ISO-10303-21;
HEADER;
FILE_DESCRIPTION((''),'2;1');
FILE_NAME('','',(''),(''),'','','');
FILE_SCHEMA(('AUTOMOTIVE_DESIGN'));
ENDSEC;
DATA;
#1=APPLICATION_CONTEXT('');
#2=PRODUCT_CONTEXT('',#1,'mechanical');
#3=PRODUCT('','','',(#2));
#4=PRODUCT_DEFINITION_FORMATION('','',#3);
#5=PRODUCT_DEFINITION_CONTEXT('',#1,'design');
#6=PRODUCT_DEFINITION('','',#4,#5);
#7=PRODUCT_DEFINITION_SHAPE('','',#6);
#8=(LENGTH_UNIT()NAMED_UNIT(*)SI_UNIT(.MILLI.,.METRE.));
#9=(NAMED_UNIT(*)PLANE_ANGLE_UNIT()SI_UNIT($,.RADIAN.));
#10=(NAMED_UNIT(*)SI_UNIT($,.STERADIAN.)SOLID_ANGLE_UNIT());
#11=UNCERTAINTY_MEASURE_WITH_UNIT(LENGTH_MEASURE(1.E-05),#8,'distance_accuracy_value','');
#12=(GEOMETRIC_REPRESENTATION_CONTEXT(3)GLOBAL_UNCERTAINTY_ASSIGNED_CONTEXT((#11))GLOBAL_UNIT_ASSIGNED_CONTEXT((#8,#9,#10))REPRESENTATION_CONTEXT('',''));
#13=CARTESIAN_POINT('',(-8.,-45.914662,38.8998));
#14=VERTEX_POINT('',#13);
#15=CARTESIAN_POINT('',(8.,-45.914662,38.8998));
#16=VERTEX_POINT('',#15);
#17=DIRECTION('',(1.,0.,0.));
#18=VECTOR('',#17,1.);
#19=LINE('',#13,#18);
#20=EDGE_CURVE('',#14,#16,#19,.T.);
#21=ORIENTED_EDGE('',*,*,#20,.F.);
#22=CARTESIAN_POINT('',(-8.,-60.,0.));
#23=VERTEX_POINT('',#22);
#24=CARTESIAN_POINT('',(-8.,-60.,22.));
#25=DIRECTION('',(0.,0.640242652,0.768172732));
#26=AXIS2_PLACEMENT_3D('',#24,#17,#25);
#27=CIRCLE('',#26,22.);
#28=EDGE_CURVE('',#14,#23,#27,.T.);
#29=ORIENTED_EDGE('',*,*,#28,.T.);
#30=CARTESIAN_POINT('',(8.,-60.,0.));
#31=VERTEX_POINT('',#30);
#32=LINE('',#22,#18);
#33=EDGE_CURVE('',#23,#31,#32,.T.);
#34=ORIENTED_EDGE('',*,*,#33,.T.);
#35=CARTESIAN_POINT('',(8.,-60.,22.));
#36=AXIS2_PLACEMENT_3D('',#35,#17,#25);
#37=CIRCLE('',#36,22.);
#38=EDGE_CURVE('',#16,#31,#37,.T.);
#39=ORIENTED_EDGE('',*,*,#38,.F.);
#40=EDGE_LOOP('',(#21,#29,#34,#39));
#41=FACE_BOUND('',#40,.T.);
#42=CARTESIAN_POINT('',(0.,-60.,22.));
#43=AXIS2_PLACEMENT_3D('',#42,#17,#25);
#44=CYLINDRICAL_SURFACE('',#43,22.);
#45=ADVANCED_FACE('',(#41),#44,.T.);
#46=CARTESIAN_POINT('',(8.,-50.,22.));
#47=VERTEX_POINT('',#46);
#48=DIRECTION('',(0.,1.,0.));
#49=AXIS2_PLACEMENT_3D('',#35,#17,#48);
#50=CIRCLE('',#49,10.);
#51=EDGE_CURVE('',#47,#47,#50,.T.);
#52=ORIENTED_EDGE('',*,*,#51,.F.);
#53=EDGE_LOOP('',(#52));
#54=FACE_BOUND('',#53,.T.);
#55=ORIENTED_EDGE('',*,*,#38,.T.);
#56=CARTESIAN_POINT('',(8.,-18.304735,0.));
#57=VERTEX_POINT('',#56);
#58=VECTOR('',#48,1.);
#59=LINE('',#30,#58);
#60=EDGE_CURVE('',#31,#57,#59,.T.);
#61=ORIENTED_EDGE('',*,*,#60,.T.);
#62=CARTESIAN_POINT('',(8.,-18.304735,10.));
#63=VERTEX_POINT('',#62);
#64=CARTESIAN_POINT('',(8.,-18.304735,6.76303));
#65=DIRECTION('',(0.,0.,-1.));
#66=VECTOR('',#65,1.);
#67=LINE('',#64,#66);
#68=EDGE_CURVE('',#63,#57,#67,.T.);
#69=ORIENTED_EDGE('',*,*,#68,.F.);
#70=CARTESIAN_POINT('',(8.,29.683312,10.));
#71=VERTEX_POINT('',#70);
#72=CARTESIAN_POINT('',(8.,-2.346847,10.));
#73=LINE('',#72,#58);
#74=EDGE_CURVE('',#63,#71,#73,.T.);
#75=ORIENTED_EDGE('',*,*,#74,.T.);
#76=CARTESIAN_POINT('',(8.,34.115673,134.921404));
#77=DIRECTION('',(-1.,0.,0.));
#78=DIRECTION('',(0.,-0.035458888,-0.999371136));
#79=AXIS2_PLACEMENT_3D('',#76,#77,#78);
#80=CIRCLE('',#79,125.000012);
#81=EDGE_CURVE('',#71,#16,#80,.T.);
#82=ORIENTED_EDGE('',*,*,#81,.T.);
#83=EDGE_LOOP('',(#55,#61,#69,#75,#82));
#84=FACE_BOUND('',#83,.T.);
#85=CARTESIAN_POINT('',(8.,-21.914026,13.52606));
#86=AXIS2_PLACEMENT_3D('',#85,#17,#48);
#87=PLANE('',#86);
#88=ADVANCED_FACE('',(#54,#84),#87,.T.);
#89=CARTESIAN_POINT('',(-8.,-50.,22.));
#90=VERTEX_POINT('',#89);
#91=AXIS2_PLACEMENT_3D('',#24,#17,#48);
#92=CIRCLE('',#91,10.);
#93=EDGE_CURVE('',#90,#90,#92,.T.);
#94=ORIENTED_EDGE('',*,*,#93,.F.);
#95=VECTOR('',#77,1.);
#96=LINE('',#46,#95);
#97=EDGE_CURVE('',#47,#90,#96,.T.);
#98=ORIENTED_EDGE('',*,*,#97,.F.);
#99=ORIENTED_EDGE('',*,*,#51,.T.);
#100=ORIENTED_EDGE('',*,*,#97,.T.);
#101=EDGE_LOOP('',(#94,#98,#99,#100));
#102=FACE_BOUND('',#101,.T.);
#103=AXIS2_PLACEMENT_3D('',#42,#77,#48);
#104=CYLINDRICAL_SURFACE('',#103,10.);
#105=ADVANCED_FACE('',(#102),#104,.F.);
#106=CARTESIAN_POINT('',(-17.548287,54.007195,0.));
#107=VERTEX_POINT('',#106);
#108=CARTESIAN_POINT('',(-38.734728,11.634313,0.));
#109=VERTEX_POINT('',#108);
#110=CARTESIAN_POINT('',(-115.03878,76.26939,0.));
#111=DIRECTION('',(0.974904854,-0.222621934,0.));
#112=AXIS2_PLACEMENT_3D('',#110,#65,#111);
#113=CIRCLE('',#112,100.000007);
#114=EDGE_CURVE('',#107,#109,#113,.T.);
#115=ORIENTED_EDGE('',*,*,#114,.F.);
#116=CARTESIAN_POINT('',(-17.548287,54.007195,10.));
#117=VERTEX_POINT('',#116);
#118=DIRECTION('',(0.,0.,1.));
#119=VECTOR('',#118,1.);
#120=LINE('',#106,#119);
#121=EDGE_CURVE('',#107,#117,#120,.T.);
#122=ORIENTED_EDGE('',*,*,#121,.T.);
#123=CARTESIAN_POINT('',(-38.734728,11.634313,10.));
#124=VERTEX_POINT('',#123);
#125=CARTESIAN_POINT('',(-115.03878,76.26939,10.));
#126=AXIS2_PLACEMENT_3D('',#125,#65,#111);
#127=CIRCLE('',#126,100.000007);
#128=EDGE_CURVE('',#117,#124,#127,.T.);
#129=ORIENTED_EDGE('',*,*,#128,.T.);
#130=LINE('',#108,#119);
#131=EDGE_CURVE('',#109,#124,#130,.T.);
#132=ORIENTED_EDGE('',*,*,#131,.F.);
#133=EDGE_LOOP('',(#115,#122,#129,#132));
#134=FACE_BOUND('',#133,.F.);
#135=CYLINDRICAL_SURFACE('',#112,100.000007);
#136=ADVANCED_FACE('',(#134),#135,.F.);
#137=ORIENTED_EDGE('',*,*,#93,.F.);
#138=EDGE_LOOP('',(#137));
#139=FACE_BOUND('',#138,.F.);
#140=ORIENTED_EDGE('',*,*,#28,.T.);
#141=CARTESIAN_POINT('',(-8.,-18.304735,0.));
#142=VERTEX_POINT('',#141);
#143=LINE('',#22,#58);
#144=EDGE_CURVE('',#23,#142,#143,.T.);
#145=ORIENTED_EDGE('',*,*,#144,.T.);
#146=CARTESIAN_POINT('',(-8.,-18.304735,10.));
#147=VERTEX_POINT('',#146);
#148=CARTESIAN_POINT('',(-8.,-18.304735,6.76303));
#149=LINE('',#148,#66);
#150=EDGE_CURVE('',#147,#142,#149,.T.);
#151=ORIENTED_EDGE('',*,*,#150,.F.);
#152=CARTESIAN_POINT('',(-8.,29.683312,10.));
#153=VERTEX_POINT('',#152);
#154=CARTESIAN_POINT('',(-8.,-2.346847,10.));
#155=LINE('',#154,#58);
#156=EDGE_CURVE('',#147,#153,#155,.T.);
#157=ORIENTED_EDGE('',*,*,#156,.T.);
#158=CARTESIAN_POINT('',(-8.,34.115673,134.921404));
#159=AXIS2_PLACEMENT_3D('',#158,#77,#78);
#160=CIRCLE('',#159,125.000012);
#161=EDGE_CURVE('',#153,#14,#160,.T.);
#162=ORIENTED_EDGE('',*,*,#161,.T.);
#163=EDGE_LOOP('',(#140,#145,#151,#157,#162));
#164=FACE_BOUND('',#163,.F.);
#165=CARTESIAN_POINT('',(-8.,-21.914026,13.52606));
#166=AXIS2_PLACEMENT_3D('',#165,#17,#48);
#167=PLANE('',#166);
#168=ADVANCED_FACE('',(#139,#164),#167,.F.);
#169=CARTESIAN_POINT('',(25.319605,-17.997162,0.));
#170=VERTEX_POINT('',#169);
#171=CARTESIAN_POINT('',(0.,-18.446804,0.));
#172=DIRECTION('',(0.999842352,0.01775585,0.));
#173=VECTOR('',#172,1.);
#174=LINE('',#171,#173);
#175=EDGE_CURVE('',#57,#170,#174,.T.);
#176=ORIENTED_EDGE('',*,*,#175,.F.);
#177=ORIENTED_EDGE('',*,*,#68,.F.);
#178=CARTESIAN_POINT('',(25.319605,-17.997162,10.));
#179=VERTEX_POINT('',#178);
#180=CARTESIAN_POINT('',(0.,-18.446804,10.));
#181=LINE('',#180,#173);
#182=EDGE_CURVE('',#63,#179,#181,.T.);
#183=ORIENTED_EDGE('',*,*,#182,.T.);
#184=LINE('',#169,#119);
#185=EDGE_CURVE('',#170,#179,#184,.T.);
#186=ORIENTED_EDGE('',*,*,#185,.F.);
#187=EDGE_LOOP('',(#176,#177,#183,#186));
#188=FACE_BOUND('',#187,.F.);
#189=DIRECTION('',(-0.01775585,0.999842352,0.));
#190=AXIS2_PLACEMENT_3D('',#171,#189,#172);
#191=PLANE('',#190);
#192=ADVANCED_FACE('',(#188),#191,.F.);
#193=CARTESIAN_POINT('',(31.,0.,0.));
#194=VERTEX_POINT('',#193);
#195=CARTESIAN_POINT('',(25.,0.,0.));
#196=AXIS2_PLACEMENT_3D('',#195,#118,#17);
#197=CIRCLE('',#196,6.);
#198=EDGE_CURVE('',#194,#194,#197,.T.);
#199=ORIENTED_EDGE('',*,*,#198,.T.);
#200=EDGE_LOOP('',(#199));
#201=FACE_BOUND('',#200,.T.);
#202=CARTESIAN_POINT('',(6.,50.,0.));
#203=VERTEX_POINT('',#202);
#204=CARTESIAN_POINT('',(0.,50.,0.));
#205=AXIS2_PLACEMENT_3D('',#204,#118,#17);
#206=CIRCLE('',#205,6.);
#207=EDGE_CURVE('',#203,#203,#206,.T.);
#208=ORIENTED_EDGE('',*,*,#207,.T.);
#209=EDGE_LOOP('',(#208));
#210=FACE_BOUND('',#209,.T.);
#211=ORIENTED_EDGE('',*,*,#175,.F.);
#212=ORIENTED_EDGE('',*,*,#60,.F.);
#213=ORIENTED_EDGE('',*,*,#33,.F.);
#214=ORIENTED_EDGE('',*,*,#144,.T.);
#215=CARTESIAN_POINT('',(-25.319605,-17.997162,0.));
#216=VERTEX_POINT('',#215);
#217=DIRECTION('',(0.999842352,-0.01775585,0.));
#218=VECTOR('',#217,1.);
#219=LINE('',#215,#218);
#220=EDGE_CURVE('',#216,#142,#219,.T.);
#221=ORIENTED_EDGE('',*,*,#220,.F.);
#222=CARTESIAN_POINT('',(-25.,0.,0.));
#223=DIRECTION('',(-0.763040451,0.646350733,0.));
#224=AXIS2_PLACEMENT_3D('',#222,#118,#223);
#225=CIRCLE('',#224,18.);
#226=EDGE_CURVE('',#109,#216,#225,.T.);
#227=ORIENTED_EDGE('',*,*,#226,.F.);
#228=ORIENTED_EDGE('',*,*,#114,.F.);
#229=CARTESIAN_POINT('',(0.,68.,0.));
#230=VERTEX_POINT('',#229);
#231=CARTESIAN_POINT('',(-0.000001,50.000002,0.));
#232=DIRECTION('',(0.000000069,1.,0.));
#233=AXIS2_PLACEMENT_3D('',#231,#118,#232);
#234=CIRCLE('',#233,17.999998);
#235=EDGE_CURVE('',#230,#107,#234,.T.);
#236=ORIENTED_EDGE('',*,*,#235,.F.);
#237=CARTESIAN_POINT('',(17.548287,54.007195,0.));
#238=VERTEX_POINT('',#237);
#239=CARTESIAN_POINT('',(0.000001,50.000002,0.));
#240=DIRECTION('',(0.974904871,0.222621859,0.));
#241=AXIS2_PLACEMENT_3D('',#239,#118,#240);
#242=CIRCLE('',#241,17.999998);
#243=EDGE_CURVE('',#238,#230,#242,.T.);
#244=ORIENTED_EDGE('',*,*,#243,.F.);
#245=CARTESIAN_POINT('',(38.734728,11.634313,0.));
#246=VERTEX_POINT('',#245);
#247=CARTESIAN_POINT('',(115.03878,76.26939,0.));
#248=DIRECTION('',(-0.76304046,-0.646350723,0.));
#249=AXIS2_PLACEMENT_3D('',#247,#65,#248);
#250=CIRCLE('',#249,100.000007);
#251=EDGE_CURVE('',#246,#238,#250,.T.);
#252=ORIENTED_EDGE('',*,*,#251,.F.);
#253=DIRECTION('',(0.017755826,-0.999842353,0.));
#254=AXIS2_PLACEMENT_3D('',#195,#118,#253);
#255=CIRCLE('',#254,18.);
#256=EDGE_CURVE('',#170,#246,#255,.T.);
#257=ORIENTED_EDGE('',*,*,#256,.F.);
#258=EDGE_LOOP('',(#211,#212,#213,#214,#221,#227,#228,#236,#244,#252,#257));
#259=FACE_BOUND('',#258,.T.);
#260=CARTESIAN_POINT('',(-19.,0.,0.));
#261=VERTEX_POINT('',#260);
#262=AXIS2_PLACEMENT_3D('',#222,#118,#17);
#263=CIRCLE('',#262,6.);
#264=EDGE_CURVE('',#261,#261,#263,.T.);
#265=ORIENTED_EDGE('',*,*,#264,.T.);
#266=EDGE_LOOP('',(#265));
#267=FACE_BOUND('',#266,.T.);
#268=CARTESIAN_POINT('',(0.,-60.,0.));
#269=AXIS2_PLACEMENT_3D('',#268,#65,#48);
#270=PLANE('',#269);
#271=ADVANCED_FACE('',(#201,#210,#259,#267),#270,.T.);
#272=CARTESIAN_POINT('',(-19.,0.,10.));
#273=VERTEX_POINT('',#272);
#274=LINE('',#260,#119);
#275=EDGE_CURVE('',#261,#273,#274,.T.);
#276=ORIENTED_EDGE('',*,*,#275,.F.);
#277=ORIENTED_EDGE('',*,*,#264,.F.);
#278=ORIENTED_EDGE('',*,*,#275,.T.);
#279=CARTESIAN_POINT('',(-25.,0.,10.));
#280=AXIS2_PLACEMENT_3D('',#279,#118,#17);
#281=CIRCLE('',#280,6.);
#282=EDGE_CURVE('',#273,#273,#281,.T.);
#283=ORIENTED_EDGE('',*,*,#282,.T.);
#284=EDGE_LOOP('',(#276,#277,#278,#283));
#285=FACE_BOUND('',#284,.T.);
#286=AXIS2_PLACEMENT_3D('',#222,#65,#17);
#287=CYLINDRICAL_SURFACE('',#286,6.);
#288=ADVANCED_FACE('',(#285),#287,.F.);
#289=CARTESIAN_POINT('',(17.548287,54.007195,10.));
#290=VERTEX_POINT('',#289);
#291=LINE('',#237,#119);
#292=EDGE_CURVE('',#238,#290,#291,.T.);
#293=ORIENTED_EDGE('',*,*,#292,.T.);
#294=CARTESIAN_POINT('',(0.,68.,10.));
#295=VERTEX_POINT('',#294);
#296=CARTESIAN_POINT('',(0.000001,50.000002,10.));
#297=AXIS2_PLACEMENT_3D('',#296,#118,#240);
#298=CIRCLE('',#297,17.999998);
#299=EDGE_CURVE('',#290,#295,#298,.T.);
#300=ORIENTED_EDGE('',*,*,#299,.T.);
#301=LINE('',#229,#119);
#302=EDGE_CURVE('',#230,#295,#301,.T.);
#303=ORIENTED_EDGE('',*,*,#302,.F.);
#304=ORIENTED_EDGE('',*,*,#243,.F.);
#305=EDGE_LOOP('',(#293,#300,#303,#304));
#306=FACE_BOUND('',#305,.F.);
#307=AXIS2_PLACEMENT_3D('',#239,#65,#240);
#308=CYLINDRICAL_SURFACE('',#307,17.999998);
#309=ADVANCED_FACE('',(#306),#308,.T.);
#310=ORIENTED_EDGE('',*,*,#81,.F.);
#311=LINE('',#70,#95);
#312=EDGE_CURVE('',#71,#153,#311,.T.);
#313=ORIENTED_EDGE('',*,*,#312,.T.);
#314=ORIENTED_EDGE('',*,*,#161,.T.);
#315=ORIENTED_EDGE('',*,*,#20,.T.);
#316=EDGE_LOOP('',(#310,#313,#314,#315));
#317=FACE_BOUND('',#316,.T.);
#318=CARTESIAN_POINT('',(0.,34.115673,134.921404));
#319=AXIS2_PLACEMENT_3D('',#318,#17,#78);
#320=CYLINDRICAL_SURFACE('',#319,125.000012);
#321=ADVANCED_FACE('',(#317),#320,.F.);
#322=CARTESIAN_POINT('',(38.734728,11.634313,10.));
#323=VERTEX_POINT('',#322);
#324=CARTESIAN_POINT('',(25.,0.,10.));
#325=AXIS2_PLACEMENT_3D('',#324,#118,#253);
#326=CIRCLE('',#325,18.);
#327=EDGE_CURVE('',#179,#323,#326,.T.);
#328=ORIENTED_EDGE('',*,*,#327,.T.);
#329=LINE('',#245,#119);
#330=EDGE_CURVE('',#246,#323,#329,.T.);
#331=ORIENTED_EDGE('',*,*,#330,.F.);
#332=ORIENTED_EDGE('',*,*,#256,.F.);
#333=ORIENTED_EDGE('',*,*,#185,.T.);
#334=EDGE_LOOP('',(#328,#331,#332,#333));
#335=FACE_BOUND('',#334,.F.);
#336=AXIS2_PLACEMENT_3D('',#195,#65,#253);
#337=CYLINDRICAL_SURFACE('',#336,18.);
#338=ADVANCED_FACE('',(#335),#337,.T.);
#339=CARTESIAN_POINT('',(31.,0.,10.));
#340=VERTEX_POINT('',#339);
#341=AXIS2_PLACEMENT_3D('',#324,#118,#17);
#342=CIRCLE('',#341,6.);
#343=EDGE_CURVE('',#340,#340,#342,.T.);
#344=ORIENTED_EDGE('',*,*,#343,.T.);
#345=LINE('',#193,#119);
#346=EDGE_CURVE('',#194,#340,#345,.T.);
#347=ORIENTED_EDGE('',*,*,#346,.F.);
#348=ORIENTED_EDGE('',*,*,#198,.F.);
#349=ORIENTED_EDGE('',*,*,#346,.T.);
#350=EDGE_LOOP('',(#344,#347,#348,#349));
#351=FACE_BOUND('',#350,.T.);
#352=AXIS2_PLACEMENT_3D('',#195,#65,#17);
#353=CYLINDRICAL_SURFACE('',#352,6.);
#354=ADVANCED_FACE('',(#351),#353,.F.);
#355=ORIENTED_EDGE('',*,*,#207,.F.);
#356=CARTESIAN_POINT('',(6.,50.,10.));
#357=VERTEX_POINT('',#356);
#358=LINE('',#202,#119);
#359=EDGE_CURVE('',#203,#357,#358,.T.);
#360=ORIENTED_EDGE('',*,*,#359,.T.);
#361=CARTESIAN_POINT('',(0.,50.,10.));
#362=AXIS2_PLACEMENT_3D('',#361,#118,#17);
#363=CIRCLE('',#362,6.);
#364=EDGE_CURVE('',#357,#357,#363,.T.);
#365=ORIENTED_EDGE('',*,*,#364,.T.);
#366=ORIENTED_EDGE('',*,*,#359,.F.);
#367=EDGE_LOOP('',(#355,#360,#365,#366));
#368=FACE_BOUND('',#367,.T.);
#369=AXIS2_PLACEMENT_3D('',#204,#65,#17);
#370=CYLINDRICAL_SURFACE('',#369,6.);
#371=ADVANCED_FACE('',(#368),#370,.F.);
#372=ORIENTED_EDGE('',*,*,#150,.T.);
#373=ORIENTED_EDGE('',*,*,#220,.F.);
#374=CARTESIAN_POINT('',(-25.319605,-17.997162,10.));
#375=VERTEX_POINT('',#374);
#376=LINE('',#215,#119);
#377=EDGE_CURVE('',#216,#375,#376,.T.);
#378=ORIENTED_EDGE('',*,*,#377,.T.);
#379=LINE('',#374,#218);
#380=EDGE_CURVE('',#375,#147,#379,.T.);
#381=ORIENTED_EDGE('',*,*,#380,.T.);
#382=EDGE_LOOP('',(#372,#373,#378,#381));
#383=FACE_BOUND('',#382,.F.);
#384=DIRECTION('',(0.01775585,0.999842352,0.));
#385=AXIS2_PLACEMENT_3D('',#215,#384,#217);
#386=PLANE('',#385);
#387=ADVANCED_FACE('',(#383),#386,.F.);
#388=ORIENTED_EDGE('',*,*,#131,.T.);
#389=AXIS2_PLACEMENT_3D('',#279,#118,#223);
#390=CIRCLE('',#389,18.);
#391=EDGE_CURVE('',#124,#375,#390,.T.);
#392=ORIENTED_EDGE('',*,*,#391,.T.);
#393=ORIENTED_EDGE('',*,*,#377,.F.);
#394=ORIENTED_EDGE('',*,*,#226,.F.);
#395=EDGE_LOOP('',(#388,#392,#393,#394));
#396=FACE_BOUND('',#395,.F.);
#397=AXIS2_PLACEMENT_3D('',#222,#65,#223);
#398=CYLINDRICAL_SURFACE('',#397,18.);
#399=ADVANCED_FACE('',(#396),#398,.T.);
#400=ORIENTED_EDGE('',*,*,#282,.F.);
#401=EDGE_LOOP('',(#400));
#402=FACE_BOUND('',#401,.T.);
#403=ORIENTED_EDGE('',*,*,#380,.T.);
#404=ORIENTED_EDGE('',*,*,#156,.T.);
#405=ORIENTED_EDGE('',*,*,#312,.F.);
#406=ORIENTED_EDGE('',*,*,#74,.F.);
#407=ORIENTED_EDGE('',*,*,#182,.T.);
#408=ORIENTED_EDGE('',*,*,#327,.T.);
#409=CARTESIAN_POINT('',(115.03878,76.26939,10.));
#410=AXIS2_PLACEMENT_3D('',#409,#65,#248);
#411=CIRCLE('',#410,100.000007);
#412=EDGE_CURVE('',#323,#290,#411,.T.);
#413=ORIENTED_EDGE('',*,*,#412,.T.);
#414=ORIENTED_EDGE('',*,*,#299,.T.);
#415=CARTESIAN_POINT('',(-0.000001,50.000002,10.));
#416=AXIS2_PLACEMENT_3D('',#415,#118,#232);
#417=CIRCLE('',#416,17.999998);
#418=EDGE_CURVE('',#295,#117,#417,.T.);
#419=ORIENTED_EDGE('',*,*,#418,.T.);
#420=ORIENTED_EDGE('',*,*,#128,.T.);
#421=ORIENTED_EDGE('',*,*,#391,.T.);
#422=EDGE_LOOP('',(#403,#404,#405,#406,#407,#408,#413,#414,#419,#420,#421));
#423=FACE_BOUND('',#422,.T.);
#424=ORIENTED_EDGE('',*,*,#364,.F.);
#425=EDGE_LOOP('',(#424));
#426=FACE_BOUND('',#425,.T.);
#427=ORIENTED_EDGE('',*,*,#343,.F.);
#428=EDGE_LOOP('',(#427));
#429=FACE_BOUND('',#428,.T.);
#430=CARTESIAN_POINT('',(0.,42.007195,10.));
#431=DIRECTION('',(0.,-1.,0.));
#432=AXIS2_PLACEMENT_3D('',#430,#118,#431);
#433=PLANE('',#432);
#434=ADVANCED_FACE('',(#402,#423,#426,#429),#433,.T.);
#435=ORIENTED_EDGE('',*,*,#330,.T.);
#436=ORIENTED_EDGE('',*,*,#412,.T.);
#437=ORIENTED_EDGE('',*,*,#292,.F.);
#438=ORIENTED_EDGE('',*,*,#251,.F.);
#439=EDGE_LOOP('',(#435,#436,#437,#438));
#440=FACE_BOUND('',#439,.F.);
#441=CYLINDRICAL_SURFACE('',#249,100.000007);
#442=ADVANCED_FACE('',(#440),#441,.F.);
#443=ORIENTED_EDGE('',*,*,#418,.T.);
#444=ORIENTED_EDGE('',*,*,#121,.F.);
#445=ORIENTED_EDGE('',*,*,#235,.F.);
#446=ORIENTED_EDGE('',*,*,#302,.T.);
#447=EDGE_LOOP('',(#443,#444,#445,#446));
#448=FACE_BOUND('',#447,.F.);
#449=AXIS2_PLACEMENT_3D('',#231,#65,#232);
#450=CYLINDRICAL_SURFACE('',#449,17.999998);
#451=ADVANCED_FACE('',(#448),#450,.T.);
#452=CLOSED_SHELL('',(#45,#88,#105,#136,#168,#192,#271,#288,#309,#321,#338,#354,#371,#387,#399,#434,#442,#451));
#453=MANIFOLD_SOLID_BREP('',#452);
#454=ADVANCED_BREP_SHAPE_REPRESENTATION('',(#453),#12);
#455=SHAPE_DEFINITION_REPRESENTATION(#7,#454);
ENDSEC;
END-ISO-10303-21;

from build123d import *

# Parameters (mm, degrees)
F0_R     = 6
F1_DEPTH = 10
F2_R     = 10
F3_DEPTH = 8


with BuildPart() as f1:
    # F0 (on Top) → F1 (new body)
    with BuildSketch(Plane.XY):
        with BuildLine():
            ThreePointArc((38.734728, 11.634313), (25.596054, 31.548027), (17.548287, 54.007195))
            ThreePointArc((17.548287, 54.007195), (11.222088, 64.073548), (0, 68))
            ThreePointArc((0, 68), (-11.222088, 64.073548), (-17.548287, 54.007195))
            ThreePointArc((-17.548287, 54.007195), (-25.596054, 31.548027), (-38.734728, 11.634313))
            ThreePointArc((-38.734728, 11.634313), (-41.397779, -7.423802), (-25.319605, -17.997162))
            Line((-25.319605, -17.997162), (0, -18.446804))
            Line((0, -18.446804), (25.319605, -17.997162))
            ThreePointArc((25.319605, -17.997162), (41.397779, -7.423802), (38.734728, 11.634313))
        make_face()
        with Locations((-25, 0)):
            Circle(F0_R, mode=Mode.SUBTRACT)
        with Locations((25, 0)):
            Circle(F0_R, mode=Mode.SUBTRACT)
        with Locations((0, 50)):
            Circle(F0_R, mode=Mode.SUBTRACT)
    extrude(amount=F1_DEPTH)

    # F2 (on Right) → F3 (join, symmetric)
    with BuildSketch(Plane.YZ):
        with BuildLine():
            ThreePointArc((29.683312, 10), (-10.519362, 18.162179), (-45.914662, 38.8998))
            ThreePointArc((-45.914662, 38.8998), (-80.685691, 29.49014), (-60, 0))
            Line((-60, 0), (42.007195, 0))
            Line((42.007195, 0), (42.007195, 10))
            Line((42.007195, 10), (29.683312, 10))
        make_face()
        with Locations((-60, 22)):
            Circle(F2_R, mode=Mode.SUBTRACT)
    extrude(amount=F3_DEPTH, both=True)


solid = f1.part
